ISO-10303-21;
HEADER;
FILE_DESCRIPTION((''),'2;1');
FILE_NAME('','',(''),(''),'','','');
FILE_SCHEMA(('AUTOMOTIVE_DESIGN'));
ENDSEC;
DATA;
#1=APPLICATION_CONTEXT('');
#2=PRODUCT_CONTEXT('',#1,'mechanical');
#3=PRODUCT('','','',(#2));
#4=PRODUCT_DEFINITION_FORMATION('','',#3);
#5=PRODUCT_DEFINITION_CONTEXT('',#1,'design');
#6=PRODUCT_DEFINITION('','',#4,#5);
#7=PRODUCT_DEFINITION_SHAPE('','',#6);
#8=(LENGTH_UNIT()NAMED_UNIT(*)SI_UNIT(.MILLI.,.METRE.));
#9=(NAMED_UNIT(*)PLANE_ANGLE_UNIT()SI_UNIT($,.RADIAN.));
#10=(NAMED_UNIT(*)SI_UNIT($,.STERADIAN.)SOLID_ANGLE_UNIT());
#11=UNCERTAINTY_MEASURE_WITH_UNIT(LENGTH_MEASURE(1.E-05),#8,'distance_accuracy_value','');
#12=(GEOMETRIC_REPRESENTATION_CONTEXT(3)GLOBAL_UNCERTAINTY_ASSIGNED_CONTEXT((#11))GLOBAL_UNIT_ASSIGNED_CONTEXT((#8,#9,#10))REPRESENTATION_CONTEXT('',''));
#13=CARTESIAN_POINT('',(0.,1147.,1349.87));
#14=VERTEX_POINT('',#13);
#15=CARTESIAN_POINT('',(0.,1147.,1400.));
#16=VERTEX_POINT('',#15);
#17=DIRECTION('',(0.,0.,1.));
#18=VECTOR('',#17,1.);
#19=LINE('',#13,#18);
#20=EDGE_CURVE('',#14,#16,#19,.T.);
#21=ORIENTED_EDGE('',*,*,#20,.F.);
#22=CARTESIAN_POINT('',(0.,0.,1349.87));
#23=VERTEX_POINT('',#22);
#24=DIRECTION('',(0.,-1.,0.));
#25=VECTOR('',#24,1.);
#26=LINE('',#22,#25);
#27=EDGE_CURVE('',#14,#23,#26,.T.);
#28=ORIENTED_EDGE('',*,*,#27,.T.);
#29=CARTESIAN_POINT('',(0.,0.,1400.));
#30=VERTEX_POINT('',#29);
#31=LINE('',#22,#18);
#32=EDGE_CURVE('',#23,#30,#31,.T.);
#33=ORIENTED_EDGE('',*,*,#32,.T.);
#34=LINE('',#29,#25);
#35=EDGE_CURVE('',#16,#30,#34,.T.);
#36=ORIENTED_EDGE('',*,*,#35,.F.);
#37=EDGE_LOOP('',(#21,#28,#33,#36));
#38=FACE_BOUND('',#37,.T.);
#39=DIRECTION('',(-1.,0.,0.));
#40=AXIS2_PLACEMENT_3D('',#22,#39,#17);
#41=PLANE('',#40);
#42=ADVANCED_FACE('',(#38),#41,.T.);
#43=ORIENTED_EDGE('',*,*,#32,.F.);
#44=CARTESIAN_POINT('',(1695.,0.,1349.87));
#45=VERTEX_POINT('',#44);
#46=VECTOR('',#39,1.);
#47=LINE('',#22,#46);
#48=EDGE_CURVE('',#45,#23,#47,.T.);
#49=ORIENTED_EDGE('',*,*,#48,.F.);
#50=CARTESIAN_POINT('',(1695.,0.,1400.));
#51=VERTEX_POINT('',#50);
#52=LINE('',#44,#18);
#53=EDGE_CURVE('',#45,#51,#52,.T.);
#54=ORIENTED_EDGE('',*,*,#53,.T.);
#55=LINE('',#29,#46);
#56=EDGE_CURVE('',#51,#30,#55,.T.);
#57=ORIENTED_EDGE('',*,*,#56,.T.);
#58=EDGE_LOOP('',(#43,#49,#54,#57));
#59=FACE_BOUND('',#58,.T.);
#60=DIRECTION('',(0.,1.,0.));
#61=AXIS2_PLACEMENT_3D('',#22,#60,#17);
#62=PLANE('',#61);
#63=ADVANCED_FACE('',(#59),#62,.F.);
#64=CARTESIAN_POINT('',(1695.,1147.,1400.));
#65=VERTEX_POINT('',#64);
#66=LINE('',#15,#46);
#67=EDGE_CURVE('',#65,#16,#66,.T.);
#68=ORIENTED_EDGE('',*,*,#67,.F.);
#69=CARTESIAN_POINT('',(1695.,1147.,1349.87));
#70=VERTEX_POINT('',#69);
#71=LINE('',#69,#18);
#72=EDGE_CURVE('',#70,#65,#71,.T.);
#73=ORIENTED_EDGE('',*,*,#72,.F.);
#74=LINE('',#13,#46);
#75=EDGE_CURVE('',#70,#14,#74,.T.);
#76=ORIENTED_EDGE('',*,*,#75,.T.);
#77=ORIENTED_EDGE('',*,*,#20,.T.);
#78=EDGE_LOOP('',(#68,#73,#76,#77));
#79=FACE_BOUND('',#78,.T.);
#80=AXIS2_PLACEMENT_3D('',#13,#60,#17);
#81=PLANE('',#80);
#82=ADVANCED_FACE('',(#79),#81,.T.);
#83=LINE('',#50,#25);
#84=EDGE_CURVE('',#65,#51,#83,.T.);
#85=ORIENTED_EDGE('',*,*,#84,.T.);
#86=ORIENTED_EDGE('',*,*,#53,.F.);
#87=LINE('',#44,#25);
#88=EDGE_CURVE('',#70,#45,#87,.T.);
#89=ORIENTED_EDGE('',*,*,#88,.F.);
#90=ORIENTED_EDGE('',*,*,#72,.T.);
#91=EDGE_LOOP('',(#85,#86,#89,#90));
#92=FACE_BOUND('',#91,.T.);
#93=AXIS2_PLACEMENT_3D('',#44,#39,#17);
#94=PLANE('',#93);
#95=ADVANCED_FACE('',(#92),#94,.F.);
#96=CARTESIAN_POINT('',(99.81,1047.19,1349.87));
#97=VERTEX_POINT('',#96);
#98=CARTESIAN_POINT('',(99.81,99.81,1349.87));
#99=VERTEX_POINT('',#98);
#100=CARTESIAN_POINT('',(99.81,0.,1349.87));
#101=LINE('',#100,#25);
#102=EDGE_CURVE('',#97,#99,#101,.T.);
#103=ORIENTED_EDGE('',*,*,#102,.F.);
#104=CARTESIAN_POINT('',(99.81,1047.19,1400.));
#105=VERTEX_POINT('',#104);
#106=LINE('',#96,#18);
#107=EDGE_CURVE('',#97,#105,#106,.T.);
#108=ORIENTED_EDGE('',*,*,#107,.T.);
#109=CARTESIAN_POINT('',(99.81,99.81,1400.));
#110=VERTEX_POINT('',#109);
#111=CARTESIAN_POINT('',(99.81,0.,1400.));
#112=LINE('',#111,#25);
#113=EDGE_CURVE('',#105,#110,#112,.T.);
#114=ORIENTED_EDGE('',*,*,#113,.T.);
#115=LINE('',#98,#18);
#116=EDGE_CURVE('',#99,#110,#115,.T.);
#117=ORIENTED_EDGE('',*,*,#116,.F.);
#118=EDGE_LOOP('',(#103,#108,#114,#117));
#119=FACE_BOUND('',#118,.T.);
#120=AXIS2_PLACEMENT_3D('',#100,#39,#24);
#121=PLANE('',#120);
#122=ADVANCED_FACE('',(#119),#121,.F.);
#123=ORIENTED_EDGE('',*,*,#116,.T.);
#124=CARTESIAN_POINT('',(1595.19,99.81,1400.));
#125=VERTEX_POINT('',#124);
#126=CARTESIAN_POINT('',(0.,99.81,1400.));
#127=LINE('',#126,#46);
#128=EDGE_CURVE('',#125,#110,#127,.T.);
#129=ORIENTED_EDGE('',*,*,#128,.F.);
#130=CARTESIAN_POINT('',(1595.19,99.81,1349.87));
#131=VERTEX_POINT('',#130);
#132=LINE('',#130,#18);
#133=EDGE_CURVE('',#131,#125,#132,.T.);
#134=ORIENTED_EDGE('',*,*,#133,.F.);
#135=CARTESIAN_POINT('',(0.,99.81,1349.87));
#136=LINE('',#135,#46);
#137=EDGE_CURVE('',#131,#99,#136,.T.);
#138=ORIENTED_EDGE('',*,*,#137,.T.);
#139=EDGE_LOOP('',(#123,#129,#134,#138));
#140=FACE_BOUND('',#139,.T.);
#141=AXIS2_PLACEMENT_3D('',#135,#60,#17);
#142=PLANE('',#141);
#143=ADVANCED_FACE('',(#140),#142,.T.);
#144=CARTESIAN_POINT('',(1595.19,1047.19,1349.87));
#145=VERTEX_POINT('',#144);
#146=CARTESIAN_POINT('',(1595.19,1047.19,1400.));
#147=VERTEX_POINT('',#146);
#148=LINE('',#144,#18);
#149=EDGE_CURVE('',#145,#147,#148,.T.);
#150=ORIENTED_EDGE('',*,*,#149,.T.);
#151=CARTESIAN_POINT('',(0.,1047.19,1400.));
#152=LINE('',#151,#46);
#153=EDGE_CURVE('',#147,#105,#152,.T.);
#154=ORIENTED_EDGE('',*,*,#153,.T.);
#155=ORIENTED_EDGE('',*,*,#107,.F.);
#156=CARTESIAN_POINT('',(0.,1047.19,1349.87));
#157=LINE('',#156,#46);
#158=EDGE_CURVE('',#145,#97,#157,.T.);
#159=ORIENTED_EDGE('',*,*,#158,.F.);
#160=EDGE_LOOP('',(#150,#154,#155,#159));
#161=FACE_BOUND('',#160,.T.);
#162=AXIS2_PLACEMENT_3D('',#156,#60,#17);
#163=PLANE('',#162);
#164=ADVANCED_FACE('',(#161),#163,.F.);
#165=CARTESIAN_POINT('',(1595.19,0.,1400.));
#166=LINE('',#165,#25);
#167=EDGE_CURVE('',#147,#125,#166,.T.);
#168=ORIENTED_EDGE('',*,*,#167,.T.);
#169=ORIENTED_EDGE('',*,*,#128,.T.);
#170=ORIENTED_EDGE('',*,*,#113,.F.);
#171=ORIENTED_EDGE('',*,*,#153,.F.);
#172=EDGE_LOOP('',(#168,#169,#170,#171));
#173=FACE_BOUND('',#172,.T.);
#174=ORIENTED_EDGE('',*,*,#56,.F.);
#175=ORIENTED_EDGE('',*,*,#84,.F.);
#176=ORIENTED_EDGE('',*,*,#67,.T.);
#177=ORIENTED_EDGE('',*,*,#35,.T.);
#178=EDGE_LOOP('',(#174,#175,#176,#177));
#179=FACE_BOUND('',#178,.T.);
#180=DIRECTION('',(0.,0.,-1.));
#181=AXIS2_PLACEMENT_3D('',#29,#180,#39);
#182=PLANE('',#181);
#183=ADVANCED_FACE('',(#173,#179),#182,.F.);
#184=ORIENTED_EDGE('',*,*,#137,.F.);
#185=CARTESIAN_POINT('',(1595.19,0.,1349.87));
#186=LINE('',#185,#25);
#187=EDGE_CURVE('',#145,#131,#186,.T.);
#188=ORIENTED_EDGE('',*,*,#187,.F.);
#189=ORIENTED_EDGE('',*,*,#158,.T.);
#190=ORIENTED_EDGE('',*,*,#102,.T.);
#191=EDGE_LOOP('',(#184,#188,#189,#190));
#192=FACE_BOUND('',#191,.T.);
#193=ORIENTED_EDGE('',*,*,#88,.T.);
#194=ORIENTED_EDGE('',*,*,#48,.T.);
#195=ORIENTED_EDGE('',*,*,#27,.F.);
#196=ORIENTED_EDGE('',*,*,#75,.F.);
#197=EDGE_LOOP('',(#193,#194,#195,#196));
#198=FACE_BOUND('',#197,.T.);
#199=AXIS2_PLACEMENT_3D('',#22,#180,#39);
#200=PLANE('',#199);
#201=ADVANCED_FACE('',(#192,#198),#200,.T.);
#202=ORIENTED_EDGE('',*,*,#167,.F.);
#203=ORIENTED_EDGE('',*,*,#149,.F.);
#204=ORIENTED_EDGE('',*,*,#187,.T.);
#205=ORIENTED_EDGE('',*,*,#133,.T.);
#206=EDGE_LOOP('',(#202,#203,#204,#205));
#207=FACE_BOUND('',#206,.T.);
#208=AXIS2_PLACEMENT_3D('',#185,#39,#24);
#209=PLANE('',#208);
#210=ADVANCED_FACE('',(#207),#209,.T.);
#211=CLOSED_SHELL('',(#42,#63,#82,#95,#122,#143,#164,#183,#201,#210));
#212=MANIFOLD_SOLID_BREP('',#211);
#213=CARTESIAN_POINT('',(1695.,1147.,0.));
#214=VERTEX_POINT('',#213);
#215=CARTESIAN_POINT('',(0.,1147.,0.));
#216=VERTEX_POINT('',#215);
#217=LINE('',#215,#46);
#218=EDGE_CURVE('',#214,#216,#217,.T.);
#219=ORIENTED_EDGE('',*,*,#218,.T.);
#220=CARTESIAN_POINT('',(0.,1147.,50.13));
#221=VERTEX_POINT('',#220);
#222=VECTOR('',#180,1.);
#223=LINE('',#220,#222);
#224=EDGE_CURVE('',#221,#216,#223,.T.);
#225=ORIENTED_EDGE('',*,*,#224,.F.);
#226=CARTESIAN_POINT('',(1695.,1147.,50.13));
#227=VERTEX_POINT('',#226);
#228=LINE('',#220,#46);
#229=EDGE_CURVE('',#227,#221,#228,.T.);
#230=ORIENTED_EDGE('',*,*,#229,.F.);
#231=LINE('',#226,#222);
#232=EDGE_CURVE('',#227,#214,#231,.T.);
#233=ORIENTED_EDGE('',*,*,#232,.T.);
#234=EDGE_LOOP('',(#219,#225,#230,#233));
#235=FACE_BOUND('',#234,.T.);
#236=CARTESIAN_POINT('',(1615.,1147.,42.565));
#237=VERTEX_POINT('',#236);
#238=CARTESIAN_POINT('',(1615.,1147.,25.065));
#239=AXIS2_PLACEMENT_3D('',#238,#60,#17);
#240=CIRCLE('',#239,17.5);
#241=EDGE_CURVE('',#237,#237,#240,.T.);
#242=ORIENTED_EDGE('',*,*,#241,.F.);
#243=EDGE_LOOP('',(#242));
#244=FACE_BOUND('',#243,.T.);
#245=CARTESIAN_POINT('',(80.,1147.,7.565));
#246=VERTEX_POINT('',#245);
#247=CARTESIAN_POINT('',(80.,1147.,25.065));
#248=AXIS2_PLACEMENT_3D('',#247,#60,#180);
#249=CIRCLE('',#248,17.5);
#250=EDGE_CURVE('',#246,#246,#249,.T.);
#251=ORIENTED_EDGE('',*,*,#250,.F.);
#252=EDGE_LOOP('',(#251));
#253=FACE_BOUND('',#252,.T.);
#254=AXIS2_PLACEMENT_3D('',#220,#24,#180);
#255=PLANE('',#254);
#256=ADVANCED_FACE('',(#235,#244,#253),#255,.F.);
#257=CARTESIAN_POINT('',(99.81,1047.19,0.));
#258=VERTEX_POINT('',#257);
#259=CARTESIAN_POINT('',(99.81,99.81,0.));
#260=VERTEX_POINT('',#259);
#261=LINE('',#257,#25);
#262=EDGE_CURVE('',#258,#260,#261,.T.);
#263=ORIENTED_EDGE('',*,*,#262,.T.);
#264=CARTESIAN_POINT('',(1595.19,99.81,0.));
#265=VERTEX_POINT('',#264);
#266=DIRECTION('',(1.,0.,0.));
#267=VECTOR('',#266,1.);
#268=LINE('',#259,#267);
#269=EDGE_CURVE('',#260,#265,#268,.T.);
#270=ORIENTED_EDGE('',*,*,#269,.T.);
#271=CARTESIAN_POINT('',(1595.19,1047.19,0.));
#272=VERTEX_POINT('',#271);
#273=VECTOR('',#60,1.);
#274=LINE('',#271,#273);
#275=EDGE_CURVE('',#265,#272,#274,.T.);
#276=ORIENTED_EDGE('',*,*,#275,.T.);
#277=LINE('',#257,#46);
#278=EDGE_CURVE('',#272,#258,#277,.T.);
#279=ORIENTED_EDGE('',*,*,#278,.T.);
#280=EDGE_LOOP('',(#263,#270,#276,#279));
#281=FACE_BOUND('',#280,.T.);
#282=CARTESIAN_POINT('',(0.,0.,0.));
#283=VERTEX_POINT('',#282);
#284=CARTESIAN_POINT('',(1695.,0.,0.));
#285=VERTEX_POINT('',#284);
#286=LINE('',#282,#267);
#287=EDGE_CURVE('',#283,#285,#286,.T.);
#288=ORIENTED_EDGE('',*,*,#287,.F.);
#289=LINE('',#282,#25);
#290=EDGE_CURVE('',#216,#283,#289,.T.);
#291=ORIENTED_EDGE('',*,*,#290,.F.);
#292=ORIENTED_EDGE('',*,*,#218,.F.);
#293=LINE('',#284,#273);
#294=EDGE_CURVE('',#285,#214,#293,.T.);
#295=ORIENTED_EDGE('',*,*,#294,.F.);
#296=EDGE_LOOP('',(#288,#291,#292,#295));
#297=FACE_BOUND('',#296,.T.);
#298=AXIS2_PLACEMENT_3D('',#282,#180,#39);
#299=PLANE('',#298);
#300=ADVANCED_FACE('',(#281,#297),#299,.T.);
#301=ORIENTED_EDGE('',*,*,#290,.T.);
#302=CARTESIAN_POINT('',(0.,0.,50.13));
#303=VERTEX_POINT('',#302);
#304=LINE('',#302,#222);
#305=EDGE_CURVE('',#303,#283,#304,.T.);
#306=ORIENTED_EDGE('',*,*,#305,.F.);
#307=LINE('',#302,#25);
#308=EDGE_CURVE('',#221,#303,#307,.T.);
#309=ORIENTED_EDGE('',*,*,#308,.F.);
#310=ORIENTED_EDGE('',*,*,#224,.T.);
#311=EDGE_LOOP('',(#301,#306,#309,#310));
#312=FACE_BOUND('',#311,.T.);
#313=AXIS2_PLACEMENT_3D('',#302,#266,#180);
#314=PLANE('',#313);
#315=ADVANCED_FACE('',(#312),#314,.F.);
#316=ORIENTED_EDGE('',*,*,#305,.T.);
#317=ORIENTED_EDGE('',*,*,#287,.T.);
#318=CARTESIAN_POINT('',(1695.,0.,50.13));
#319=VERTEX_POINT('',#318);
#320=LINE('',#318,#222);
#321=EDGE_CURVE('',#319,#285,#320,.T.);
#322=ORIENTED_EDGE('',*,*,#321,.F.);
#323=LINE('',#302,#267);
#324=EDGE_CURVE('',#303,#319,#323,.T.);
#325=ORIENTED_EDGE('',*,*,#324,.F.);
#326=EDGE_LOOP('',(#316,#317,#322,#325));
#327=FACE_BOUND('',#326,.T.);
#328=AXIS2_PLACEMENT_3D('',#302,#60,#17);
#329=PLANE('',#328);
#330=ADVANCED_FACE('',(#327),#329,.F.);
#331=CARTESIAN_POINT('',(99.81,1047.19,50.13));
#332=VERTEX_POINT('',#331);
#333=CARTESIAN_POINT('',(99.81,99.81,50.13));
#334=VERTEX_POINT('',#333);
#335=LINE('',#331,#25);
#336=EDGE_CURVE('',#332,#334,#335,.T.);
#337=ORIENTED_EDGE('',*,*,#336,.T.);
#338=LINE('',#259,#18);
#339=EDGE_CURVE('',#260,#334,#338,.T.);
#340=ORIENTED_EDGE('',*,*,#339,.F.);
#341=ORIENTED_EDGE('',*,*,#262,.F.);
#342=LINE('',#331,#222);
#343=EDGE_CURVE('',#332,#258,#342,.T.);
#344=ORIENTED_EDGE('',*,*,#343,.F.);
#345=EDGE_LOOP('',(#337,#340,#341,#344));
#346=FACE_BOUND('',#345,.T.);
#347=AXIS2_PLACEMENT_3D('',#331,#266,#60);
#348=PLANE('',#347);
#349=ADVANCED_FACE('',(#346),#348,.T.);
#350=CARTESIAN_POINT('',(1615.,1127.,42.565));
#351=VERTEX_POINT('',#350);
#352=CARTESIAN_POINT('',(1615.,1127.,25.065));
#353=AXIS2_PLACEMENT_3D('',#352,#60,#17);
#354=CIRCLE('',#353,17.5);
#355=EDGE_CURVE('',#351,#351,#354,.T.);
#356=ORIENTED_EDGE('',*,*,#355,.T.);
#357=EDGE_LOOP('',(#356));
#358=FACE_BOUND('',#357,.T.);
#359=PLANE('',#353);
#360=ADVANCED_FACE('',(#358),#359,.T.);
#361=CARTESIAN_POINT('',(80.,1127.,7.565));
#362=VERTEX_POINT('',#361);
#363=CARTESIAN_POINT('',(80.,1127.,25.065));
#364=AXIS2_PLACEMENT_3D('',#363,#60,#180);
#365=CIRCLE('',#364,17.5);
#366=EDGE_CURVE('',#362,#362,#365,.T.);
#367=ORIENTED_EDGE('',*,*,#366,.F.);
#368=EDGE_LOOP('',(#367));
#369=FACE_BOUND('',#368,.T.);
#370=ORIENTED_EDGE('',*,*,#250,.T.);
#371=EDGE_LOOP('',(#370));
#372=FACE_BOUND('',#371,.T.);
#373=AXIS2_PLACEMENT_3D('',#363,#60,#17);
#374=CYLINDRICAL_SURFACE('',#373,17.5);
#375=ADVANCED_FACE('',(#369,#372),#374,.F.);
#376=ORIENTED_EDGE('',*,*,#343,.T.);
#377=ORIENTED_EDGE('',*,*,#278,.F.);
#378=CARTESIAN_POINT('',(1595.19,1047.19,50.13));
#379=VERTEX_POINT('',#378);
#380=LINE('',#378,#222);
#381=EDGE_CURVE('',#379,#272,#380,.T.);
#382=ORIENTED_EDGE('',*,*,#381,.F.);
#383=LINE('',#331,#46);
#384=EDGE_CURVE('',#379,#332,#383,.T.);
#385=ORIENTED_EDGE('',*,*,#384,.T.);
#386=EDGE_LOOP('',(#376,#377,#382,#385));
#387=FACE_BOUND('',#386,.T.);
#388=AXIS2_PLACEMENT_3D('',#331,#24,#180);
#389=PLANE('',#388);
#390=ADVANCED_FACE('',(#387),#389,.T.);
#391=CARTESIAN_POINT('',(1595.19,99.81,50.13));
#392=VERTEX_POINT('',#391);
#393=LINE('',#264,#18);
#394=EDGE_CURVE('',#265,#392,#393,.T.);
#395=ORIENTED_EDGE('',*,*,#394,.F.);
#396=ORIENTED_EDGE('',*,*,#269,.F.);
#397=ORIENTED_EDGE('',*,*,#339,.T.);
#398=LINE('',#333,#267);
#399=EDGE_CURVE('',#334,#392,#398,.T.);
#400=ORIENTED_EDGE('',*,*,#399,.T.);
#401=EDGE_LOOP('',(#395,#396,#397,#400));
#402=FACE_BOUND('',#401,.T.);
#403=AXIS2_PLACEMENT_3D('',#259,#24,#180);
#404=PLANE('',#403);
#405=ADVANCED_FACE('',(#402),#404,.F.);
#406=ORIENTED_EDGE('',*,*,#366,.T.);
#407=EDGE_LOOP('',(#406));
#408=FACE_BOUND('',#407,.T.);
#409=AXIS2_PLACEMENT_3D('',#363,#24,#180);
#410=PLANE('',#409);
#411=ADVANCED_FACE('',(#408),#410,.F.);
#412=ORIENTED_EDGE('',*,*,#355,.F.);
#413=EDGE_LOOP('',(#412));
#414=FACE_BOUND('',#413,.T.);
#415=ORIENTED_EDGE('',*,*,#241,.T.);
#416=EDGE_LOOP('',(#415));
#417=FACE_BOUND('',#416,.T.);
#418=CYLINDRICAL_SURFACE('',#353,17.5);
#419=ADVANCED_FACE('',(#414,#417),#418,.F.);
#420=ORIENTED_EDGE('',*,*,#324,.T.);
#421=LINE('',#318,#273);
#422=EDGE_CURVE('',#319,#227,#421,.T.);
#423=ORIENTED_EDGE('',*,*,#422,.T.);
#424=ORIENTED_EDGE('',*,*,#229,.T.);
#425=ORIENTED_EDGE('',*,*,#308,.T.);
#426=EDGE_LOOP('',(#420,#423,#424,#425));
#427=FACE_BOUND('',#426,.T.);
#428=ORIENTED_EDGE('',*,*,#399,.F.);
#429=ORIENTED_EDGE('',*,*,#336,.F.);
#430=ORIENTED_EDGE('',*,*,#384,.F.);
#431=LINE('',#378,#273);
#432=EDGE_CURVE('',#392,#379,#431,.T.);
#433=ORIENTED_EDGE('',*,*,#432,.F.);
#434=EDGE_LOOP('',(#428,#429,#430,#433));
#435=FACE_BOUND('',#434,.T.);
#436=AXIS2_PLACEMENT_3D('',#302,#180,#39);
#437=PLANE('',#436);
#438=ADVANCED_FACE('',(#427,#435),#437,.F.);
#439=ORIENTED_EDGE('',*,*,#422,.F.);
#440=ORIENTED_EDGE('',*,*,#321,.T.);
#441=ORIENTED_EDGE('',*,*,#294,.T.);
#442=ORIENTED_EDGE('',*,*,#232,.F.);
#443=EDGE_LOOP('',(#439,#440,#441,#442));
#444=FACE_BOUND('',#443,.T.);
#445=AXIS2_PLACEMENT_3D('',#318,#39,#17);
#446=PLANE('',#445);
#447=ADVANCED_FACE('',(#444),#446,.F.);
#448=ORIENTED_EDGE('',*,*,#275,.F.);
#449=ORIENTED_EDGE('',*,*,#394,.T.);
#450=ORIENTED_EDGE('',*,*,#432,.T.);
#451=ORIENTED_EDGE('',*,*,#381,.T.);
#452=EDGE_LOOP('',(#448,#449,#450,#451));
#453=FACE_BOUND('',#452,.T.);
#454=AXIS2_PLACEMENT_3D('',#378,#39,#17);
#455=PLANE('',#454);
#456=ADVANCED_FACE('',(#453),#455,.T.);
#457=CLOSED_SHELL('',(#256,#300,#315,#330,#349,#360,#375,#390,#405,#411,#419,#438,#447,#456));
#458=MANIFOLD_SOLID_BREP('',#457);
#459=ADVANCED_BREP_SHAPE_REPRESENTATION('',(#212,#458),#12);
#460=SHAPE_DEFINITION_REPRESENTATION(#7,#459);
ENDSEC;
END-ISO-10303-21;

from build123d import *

# Parameters (mm, degrees)
ESQUISSE8_W             = 1695
ESQUISSE8_H             = 1147
ESQUISSE8_W_2           = 1495.38
ESQUISSE8_H_2           = 457.38
BOSS_EXTRU_8_DEPTH      = 50.13
ESQUISSE9_W             = 1695
ESQUISSE9_H             = 1147
ESQUISSE9_W_2           = 1495.38
ESQUISSE9_H_2           = 457.38
ESQUISSE9_W_3           = 280.38
ESQUISSE9_H_3           = 390.19
ESQUISSE9_W_4           = 425.38
ESQUISSE9_W_5           = 590
ESQUISSE9_H_4           = 58.19
BOSS_EXTRU_9_DEPTH      = 50.13
ESQUISSE12_W            = 1495.38
ESQUISSE12_H            = 490
ENL_V_MAT_EXTRU_1_DEPTH = 50.13
ESQUISSE13_W            = 1495.38
ESQUISSE13_H            = 947.38
ENL_V_MAT_EXTRU_2_DEPTH = 50.13
ESQUISSE14_R            = 17.5
ENL_V_MAT_EXTRU_3_DEPTH = 20


with BuildPart() as part:
    # Esquisse8 → Boss.-Extru.8 (new body)
    with BuildSketch(Plane.XY):
        with Locations((847.5, 573.5)):
            Rectangle(ESQUISSE8_W, ESQUISSE8_H)
        with Locations((847.5, 818.5)):
            Rectangle(ESQUISSE8_W_2, ESQUISSE8_H_2, mode=Mode.SUBTRACT)
    extrude(amount=BOSS_EXTRU_8_DEPTH)

    # Esquisse12 → Enlèv. mat.-Extru.1 (cut)
    with BuildSketch(Plane.XY.offset(50.13)):
        with Locations((847.5, 344.81)):
            Rectangle(ESQUISSE12_W, ESQUISSE12_H)
    extrude(amount=-ENL_V_MAT_EXTRU_1_DEPTH, mode=Mode.SUBTRACT)

    # Esquisse14 → Enlèv. mat.-Extru.3 (cut)
    with BuildSketch(Plane(origin=(0, 1147, 0), x_dir=(1, 0, 0), z_dir=(0, 1, 0))):
        with Locations(Location((1615, -25.065, 0), (0, 0, 270))):
            Circle(ESQUISSE14_R)
        with Locations(Location((80, -25.065, 0), (0, 0, 90))):
            Circle(ESQUISSE14_R)
    extrude(amount=-ENL_V_MAT_EXTRU_3_DEPTH, mode=Mode.SUBTRACT)


with BuildPart() as body_2:
    # Esquisse9 → Boss.-Extru.9 (new body)
    # profile 1 of 2: a face of its own
    with BuildSketch(Plane(origin=(0, 0, 1400), x_dir=(-1, 0, 0), z_dir=(0, 0, -1))):
        with Locations((-847.5, 573.5)):
            Rectangle(ESQUISSE9_W, ESQUISSE9_H)
        with Locations((-847.5, 818.5)):
            Rectangle(ESQUISSE9_W_2, ESQUISSE9_H_2, mode=Mode.SUBTRACT)
        with Locations((-1455, 294.905)):
            Rectangle(ESQUISSE9_W_3, ESQUISSE9_H_3, mode=Mode.SUBTRACT)
        with Locations((-1002.31, 294.905)):
            Rectangle(ESQUISSE9_W_4, ESQUISSE9_H_3, mode=Mode.SUBTRACT)
        with Locations((-394.81, 294.905)):
            Rectangle(ESQUISSE9_W_5, ESQUISSE9_H_3, mode=Mode.SUBTRACT)
    # profile 2 of 2: a face of its own
    with BuildSketch(Plane(origin=(0, 0, 1400), x_dir=(-1, 0, 0), z_dir=(0, 0, -1))):
        with Locations((-1002.31, 460.905)):
            Rectangle(ESQUISSE9_W_4, ESQUISSE9_H_4)
    extrude(amount=BOSS_EXTRU_9_DEPTH)

    # Esquisse13 → Enlèv. mat.-Extru.2 (cut)
    with BuildSketch(Plane.XY.offset(1400)):
        with Locations((847.5, 573.5)):
            Rectangle(ESQUISSE13_W, ESQUISSE13_H)
    extrude(amount=-ENL_V_MAT_EXTRU_2_DEPTH, mode=Mode.SUBTRACT)


solid = Compound([part.part, body_2.part])
